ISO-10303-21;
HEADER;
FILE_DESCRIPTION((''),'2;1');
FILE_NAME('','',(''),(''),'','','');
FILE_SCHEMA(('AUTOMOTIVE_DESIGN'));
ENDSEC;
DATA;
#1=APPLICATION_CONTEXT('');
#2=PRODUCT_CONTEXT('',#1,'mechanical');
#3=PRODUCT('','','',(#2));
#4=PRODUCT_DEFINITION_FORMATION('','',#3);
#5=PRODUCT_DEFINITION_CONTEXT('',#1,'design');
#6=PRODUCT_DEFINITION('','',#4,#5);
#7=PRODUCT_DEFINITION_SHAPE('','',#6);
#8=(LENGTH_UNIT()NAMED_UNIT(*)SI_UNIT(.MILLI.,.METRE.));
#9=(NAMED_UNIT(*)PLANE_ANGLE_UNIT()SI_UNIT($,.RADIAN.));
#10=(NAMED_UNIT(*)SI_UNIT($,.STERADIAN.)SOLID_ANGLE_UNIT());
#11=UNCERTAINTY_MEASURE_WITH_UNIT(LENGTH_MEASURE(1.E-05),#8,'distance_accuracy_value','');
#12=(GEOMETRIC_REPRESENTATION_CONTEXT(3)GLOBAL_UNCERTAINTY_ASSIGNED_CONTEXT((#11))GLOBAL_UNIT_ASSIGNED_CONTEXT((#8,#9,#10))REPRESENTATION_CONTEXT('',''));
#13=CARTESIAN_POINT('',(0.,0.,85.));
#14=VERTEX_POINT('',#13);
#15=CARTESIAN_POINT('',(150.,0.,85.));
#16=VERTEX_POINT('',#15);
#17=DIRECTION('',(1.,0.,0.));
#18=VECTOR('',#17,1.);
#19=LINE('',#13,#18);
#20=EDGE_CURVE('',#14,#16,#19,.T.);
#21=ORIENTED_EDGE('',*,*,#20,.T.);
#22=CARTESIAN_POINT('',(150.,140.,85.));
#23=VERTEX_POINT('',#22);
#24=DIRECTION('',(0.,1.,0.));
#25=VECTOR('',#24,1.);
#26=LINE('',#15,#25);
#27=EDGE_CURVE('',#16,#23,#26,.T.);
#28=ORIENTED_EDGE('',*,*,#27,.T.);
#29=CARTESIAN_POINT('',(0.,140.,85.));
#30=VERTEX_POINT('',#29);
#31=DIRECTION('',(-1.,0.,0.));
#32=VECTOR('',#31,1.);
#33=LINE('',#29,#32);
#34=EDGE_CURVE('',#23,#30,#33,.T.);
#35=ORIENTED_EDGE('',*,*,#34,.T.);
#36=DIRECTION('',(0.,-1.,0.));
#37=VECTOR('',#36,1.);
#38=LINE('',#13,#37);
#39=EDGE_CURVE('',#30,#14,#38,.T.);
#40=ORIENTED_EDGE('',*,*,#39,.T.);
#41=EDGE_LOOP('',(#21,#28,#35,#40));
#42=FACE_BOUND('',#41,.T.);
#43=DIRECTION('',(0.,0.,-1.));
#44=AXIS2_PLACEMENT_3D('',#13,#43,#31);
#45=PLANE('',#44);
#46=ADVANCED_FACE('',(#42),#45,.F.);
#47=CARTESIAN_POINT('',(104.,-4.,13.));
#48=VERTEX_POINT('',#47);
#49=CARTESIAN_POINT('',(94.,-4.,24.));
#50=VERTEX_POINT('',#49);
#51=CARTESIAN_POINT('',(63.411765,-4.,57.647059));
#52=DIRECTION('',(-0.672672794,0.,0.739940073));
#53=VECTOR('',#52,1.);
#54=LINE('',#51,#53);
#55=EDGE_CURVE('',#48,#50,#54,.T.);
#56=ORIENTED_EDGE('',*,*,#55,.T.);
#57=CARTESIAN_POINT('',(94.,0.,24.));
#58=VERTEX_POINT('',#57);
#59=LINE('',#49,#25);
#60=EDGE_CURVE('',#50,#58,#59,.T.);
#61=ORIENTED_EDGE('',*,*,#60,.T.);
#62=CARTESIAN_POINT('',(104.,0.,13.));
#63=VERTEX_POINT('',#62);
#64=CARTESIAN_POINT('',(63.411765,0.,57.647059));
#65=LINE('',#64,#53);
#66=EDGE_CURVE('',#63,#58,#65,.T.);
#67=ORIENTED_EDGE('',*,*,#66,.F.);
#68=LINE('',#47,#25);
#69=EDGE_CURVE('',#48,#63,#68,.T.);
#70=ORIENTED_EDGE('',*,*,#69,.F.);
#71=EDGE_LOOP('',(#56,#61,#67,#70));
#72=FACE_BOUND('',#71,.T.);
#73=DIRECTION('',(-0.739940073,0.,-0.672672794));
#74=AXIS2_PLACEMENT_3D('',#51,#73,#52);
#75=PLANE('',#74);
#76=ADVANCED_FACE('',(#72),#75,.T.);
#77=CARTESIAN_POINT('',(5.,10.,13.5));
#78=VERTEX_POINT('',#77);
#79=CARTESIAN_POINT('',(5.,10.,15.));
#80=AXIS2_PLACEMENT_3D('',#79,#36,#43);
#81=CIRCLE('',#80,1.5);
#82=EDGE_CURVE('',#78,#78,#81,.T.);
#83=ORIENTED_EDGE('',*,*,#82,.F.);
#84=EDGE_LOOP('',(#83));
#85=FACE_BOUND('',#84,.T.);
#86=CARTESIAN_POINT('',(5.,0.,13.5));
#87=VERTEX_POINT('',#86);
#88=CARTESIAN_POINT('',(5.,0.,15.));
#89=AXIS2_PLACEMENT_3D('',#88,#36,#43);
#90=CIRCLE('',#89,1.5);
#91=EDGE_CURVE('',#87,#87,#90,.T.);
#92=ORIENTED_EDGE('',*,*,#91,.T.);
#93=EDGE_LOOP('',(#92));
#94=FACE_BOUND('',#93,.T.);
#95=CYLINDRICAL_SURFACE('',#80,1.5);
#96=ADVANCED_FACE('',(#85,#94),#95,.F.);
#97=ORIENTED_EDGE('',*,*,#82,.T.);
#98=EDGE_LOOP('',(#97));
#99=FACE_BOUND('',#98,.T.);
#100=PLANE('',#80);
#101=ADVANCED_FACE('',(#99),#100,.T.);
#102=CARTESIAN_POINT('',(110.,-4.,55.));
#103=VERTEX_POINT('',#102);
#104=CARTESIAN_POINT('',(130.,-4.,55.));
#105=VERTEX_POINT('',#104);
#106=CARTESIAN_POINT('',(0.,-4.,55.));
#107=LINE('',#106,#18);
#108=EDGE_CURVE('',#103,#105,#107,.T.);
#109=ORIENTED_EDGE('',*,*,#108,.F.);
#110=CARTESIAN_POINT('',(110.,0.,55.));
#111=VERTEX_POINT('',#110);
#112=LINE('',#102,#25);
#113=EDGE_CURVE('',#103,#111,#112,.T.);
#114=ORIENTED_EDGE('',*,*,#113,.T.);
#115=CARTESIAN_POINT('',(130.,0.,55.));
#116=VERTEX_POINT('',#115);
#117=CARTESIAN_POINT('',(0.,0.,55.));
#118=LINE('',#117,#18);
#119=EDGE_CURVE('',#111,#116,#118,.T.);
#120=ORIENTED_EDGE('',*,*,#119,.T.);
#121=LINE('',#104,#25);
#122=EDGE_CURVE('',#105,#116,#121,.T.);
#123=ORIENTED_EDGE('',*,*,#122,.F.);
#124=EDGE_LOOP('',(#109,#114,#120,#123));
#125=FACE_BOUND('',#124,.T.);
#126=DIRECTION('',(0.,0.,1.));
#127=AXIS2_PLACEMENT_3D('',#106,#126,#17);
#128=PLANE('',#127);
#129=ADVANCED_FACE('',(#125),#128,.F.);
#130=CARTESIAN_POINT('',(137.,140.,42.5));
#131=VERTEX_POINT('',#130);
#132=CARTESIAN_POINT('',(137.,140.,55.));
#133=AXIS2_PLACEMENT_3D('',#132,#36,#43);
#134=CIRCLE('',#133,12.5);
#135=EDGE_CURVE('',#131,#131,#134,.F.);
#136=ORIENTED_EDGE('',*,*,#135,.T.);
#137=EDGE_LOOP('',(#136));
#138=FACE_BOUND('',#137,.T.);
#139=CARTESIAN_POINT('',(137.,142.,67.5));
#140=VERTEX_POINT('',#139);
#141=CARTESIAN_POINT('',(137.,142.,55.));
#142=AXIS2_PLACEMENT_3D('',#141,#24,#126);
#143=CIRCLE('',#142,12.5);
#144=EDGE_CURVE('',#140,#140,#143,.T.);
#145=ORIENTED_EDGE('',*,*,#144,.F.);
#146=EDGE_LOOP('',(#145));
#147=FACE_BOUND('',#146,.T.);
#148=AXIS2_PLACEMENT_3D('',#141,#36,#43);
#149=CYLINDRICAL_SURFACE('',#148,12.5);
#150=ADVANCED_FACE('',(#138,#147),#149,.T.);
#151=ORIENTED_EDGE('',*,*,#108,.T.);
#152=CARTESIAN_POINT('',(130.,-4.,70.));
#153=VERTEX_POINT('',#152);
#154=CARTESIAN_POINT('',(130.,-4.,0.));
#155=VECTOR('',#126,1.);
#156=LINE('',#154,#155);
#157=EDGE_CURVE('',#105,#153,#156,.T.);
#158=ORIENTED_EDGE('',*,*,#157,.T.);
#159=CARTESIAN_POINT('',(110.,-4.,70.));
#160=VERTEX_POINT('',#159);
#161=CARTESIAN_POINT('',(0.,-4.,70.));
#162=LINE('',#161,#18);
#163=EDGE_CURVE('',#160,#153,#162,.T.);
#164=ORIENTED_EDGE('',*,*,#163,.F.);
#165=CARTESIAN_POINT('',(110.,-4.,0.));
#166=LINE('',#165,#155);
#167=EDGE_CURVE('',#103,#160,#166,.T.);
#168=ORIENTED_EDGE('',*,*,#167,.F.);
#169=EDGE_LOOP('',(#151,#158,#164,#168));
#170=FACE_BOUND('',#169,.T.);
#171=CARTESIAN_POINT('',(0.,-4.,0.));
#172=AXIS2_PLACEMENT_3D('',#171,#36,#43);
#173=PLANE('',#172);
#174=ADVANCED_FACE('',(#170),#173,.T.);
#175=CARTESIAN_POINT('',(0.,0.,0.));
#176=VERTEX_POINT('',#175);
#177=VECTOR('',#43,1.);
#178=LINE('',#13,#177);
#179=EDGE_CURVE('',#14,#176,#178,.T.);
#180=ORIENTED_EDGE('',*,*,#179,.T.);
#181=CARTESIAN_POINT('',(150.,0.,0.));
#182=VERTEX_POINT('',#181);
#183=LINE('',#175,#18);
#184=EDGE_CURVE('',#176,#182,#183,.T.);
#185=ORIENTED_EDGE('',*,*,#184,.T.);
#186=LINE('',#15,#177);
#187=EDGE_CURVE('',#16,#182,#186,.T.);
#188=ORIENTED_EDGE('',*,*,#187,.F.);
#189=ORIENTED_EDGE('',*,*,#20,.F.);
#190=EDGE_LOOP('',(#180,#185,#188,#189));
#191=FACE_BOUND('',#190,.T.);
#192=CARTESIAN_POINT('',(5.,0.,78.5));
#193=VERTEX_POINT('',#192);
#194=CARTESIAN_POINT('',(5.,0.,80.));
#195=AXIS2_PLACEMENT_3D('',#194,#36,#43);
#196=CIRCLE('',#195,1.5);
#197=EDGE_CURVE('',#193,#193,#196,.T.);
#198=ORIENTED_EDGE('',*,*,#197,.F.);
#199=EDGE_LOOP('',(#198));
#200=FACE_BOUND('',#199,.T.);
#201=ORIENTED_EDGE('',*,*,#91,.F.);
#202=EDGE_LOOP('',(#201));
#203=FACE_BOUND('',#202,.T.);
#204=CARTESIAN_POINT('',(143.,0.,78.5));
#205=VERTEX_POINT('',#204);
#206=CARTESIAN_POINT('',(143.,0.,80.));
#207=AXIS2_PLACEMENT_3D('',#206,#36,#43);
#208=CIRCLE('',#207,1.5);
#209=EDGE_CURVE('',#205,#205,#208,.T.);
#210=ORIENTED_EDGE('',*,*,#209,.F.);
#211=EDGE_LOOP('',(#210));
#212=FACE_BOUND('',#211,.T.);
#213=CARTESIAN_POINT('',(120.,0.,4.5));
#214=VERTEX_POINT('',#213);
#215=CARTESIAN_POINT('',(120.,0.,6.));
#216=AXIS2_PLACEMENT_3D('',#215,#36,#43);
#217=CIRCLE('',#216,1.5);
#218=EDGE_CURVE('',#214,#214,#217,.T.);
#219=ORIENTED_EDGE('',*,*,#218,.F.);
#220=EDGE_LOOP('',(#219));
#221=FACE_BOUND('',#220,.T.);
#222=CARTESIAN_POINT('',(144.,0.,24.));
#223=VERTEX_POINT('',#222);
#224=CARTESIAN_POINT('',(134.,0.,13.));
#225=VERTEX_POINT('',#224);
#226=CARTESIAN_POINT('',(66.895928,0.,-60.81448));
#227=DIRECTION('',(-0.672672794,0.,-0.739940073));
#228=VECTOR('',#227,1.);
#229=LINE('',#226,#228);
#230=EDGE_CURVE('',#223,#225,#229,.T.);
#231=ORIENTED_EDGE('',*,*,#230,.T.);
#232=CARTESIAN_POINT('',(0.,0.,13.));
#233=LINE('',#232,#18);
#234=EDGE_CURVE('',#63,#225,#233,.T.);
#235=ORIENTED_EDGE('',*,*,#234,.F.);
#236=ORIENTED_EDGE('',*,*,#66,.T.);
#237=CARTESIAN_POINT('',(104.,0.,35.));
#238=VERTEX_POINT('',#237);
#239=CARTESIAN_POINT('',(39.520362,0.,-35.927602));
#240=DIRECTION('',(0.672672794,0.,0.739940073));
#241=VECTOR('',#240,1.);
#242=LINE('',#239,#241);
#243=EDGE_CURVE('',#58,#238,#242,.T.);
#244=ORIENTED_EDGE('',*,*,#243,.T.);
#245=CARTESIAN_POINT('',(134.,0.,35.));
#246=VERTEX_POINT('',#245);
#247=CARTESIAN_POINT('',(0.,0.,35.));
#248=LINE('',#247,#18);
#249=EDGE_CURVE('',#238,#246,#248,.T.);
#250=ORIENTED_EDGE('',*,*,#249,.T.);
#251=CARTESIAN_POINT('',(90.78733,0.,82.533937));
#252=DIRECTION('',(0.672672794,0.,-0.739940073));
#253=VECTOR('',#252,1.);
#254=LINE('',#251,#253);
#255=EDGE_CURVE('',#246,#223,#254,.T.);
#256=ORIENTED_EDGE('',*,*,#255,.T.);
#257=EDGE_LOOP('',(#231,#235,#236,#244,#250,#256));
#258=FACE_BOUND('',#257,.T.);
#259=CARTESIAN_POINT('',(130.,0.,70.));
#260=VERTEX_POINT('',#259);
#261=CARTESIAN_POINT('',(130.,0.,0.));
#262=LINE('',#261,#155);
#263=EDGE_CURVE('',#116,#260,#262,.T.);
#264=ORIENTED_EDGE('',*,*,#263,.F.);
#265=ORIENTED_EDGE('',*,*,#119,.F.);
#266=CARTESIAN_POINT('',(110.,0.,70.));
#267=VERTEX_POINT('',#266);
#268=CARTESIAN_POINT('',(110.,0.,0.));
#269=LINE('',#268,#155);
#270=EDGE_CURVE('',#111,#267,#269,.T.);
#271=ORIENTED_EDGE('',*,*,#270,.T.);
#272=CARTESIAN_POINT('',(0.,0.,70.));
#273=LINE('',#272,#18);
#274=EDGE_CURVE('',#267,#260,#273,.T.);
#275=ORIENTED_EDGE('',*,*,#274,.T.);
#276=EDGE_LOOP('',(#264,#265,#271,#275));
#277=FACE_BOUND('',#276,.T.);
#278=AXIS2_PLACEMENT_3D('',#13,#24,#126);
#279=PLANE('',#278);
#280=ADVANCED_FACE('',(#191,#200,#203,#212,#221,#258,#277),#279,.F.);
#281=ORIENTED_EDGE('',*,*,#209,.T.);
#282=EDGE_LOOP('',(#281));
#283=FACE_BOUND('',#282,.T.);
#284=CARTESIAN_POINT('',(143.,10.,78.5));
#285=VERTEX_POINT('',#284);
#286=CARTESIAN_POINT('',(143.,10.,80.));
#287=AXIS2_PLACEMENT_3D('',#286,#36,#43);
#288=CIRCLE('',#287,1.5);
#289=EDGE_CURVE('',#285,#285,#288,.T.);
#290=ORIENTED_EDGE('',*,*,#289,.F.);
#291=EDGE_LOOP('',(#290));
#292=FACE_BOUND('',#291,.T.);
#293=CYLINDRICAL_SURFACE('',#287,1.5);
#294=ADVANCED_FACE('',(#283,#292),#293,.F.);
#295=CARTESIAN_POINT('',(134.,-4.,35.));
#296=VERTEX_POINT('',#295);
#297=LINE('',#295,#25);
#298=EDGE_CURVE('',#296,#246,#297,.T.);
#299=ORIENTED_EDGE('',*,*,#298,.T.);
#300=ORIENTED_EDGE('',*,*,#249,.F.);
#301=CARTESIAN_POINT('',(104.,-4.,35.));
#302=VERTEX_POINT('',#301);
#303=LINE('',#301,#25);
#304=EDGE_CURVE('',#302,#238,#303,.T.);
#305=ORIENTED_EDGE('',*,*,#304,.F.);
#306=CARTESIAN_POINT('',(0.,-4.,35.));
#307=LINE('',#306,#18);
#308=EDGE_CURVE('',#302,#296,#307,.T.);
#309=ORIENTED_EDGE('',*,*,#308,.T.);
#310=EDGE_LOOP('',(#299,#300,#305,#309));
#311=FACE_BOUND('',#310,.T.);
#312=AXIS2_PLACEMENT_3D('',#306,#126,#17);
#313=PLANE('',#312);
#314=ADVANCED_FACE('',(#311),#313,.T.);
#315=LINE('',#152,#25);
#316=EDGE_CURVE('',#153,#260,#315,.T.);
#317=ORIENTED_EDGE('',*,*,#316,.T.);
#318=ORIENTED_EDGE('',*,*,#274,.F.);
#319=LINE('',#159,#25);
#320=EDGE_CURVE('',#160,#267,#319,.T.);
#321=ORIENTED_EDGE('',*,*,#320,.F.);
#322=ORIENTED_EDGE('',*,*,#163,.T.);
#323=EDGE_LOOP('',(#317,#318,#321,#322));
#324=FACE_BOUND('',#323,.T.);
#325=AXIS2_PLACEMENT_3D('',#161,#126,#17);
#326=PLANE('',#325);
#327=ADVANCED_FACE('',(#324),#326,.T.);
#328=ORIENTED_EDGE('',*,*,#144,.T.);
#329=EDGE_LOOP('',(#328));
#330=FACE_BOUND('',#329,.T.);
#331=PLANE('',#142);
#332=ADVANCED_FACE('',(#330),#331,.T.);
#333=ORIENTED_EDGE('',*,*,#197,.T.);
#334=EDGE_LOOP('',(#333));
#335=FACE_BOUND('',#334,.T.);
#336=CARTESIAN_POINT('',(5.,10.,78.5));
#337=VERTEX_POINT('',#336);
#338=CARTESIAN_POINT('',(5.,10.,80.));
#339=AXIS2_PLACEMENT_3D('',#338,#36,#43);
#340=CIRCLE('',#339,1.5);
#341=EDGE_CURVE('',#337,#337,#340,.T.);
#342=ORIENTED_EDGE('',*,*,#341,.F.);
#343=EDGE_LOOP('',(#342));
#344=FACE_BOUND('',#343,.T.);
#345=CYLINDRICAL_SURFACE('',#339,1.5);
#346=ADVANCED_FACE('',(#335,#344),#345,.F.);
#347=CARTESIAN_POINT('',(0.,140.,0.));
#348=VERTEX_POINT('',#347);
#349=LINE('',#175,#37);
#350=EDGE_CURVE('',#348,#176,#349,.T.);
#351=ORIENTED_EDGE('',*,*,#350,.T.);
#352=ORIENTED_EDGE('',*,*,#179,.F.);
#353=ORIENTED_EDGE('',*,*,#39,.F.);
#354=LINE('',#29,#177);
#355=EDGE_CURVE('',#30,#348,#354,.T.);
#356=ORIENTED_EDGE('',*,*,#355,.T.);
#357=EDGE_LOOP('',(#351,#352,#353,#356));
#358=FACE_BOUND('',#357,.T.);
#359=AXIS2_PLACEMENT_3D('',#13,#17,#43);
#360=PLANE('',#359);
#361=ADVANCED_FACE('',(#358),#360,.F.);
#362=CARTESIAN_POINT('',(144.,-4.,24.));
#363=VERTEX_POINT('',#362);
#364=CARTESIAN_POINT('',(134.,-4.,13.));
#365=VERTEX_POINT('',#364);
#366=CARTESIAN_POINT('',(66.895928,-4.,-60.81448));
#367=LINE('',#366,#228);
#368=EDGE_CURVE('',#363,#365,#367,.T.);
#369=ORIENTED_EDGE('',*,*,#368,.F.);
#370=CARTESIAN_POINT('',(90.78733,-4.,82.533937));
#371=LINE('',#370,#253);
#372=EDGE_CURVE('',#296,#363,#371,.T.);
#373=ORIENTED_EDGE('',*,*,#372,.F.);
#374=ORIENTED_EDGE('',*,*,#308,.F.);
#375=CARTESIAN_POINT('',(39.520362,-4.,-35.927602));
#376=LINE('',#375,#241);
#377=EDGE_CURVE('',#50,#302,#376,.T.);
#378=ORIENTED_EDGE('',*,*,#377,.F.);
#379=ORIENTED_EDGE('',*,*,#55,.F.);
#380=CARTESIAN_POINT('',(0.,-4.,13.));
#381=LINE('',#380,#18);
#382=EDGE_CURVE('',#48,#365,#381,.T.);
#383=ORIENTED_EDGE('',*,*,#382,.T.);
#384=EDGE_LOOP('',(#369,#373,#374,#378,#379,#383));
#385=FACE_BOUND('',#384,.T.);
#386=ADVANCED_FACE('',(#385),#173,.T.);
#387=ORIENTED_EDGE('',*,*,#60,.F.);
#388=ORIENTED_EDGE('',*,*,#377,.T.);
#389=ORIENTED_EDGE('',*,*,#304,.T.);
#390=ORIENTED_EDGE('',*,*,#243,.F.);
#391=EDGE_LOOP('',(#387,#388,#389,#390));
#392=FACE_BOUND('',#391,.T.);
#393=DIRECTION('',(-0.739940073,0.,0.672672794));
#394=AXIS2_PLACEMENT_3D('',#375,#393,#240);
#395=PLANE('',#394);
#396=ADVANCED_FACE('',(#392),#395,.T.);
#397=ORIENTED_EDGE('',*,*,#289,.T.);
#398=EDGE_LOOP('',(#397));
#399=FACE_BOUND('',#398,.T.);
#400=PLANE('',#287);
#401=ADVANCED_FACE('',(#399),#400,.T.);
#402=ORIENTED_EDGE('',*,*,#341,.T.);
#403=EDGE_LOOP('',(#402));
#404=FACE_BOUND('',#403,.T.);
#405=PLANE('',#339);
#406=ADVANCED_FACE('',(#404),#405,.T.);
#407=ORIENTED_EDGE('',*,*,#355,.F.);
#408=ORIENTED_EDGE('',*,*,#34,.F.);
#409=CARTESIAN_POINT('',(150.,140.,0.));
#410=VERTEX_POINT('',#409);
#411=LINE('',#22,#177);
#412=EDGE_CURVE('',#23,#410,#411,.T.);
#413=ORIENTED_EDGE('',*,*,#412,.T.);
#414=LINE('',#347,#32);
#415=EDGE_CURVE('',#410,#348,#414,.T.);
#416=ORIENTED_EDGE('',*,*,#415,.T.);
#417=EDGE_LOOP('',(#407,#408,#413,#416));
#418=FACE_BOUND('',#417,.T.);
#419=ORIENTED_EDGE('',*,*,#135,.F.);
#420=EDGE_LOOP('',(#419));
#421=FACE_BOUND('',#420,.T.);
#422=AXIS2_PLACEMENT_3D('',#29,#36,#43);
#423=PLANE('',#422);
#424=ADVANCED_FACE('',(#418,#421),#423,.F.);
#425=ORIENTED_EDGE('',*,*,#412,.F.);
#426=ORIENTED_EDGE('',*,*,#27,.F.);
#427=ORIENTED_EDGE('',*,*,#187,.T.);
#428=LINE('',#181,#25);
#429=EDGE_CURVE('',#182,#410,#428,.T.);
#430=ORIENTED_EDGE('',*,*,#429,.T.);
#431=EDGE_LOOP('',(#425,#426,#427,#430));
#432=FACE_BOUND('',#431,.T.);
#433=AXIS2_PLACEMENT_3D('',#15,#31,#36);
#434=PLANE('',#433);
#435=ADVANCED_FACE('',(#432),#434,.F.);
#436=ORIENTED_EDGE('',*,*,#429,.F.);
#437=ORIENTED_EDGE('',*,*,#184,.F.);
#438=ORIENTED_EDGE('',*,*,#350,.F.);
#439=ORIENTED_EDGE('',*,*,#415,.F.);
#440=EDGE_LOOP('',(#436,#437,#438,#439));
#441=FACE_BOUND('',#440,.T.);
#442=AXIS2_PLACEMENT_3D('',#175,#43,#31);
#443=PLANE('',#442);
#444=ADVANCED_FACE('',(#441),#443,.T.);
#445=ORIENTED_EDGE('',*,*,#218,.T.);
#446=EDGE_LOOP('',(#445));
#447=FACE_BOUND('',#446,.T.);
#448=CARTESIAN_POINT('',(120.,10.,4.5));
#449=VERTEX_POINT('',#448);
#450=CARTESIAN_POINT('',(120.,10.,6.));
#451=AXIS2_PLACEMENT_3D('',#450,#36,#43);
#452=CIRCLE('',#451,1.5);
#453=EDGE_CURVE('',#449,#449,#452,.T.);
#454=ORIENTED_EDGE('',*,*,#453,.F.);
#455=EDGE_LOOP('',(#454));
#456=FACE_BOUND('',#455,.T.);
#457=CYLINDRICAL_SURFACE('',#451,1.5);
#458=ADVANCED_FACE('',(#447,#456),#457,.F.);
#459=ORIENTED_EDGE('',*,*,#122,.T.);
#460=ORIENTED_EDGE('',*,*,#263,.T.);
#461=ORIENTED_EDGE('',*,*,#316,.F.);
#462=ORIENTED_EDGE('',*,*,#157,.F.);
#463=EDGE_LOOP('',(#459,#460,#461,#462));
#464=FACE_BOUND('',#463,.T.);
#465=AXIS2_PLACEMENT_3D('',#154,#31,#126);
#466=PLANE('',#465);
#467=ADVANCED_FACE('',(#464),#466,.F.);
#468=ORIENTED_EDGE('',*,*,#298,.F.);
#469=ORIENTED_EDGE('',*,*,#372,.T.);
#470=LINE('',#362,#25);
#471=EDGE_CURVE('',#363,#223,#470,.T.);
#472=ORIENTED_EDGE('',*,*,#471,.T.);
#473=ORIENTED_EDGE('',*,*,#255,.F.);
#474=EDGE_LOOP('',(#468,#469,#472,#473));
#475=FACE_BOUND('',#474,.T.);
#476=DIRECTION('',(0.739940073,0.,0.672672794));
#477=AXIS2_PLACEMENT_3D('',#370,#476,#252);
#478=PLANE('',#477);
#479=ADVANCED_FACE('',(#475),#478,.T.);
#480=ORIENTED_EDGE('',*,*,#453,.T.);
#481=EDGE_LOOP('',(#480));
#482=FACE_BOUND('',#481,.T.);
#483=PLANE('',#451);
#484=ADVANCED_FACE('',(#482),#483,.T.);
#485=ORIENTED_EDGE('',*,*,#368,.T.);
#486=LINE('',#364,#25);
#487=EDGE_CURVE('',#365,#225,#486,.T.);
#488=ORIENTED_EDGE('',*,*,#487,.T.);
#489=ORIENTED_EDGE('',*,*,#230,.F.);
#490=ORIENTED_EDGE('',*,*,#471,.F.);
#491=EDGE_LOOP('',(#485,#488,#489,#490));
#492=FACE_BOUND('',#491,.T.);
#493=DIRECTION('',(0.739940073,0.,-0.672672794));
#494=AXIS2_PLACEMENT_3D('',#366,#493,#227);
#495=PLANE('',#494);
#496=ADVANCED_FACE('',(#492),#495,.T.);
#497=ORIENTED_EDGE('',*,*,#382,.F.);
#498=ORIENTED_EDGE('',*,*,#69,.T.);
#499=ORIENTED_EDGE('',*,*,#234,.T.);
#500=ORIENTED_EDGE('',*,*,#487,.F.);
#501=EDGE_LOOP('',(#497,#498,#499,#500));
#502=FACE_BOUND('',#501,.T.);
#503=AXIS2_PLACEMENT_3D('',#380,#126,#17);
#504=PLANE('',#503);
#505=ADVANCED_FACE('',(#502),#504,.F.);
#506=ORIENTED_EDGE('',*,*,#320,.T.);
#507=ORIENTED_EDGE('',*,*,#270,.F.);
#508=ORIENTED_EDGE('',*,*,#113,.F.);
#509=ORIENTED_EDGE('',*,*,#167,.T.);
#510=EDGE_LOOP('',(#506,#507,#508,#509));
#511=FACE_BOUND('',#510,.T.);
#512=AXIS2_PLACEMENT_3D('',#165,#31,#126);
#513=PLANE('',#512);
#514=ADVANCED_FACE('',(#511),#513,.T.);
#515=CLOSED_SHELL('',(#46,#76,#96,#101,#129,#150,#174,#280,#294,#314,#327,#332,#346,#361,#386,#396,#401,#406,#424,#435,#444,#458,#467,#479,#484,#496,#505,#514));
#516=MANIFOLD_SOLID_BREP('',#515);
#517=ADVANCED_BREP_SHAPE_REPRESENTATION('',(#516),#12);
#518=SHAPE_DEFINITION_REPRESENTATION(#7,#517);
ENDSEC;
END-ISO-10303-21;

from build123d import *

# Parameters (mm, degrees)
SCHIZZO1_W                   = 150
SCHIZZO1_H                   = 140
ESTRUSIONE_ESTRUSIONE1_DEPTH = 85
SCHIZZO2_W                   = 20
SCHIZZO2_H                   = 15
SCHIZZO2_W_2                 = 30
SCHIZZO2_H_2                 = 11
ESTRUSIONE_ESTRUSIONE2_DEPTH = 4
SCHIZZO3_R                   = 1.5
TAGLIO_ESTRUSIONE1_DEPTH     = 10
SCHIZZO4_R                   = 12.5
ESTRUSIONE_ESTRUSIONE3_DEPTH = 2


with BuildPart() as part:
    # Schizzo1 → Estrusione-Estrusione1 (new body)
    with BuildSketch(Plane.XY):
        with Locations((75, 70)):
            Rectangle(SCHIZZO1_W, SCHIZZO1_H)
    extrude(amount=ESTRUSIONE_ESTRUSIONE1_DEPTH)

    # Schizzo2 → Estrusione-Estrusione2 (add)
    with BuildSketch(Plane.XZ):
        with Locations((120, 62.5)):
            Rectangle(SCHIZZO2_W, SCHIZZO2_H)
        Polygon((104, 35), (94, 24), (104, 24), align=None)
        Polygon((94, 24), (104, 13), (104, 24), align=None)
        with Locations((119, 29.5)):
            Rectangle(SCHIZZO2_W_2, SCHIZZO2_H_2)
        with Locations((119, 18.5)):
            Rectangle(SCHIZZO2_W_2, SCHIZZO2_H_2)
        Polygon((134, 35), (134, 24), (144, 24), align=None)
        Polygon((134, 24), (134, 13), (144, 24), align=None)
    extrude(amount=ESTRUSIONE_ESTRUSIONE2_DEPTH)

    # Schizzo3 → Taglio-Estrusione1 (cut)
    with BuildSketch(Plane.XZ):
        with Locations(Location((5, 80, 0), (0, 0, 270))):
            Circle(SCHIZZO3_R)
        with Locations(Location((5, 15, 0), (0, 0, 270))):
            Circle(SCHIZZO3_R)
        with Locations(Location((120, 6, 0), (0, 0, 270))):
            Circle(SCHIZZO3_R)
        with Locations(Location((143, 80, 0), (0, 0, 270))):
            Circle(SCHIZZO3_R)
    extrude(amount=-TAGLIO_ESTRUSIONE1_DEPTH, mode=Mode.SUBTRACT)

    # Schizzo4 → Estrusione-Estrusione3 (add)
    with BuildSketch(Plane(origin=(0, 140, 0), x_dir=(1, 0, 0), z_dir=(0, 1, 0))):
        with Locations(Location((137, -55, 0), (0, 0, 90))):
            Circle(SCHIZZO4_R)
    extrude(amount=ESTRUSIONE_ESTRUSIONE3_DEPTH)


solid = part.part
